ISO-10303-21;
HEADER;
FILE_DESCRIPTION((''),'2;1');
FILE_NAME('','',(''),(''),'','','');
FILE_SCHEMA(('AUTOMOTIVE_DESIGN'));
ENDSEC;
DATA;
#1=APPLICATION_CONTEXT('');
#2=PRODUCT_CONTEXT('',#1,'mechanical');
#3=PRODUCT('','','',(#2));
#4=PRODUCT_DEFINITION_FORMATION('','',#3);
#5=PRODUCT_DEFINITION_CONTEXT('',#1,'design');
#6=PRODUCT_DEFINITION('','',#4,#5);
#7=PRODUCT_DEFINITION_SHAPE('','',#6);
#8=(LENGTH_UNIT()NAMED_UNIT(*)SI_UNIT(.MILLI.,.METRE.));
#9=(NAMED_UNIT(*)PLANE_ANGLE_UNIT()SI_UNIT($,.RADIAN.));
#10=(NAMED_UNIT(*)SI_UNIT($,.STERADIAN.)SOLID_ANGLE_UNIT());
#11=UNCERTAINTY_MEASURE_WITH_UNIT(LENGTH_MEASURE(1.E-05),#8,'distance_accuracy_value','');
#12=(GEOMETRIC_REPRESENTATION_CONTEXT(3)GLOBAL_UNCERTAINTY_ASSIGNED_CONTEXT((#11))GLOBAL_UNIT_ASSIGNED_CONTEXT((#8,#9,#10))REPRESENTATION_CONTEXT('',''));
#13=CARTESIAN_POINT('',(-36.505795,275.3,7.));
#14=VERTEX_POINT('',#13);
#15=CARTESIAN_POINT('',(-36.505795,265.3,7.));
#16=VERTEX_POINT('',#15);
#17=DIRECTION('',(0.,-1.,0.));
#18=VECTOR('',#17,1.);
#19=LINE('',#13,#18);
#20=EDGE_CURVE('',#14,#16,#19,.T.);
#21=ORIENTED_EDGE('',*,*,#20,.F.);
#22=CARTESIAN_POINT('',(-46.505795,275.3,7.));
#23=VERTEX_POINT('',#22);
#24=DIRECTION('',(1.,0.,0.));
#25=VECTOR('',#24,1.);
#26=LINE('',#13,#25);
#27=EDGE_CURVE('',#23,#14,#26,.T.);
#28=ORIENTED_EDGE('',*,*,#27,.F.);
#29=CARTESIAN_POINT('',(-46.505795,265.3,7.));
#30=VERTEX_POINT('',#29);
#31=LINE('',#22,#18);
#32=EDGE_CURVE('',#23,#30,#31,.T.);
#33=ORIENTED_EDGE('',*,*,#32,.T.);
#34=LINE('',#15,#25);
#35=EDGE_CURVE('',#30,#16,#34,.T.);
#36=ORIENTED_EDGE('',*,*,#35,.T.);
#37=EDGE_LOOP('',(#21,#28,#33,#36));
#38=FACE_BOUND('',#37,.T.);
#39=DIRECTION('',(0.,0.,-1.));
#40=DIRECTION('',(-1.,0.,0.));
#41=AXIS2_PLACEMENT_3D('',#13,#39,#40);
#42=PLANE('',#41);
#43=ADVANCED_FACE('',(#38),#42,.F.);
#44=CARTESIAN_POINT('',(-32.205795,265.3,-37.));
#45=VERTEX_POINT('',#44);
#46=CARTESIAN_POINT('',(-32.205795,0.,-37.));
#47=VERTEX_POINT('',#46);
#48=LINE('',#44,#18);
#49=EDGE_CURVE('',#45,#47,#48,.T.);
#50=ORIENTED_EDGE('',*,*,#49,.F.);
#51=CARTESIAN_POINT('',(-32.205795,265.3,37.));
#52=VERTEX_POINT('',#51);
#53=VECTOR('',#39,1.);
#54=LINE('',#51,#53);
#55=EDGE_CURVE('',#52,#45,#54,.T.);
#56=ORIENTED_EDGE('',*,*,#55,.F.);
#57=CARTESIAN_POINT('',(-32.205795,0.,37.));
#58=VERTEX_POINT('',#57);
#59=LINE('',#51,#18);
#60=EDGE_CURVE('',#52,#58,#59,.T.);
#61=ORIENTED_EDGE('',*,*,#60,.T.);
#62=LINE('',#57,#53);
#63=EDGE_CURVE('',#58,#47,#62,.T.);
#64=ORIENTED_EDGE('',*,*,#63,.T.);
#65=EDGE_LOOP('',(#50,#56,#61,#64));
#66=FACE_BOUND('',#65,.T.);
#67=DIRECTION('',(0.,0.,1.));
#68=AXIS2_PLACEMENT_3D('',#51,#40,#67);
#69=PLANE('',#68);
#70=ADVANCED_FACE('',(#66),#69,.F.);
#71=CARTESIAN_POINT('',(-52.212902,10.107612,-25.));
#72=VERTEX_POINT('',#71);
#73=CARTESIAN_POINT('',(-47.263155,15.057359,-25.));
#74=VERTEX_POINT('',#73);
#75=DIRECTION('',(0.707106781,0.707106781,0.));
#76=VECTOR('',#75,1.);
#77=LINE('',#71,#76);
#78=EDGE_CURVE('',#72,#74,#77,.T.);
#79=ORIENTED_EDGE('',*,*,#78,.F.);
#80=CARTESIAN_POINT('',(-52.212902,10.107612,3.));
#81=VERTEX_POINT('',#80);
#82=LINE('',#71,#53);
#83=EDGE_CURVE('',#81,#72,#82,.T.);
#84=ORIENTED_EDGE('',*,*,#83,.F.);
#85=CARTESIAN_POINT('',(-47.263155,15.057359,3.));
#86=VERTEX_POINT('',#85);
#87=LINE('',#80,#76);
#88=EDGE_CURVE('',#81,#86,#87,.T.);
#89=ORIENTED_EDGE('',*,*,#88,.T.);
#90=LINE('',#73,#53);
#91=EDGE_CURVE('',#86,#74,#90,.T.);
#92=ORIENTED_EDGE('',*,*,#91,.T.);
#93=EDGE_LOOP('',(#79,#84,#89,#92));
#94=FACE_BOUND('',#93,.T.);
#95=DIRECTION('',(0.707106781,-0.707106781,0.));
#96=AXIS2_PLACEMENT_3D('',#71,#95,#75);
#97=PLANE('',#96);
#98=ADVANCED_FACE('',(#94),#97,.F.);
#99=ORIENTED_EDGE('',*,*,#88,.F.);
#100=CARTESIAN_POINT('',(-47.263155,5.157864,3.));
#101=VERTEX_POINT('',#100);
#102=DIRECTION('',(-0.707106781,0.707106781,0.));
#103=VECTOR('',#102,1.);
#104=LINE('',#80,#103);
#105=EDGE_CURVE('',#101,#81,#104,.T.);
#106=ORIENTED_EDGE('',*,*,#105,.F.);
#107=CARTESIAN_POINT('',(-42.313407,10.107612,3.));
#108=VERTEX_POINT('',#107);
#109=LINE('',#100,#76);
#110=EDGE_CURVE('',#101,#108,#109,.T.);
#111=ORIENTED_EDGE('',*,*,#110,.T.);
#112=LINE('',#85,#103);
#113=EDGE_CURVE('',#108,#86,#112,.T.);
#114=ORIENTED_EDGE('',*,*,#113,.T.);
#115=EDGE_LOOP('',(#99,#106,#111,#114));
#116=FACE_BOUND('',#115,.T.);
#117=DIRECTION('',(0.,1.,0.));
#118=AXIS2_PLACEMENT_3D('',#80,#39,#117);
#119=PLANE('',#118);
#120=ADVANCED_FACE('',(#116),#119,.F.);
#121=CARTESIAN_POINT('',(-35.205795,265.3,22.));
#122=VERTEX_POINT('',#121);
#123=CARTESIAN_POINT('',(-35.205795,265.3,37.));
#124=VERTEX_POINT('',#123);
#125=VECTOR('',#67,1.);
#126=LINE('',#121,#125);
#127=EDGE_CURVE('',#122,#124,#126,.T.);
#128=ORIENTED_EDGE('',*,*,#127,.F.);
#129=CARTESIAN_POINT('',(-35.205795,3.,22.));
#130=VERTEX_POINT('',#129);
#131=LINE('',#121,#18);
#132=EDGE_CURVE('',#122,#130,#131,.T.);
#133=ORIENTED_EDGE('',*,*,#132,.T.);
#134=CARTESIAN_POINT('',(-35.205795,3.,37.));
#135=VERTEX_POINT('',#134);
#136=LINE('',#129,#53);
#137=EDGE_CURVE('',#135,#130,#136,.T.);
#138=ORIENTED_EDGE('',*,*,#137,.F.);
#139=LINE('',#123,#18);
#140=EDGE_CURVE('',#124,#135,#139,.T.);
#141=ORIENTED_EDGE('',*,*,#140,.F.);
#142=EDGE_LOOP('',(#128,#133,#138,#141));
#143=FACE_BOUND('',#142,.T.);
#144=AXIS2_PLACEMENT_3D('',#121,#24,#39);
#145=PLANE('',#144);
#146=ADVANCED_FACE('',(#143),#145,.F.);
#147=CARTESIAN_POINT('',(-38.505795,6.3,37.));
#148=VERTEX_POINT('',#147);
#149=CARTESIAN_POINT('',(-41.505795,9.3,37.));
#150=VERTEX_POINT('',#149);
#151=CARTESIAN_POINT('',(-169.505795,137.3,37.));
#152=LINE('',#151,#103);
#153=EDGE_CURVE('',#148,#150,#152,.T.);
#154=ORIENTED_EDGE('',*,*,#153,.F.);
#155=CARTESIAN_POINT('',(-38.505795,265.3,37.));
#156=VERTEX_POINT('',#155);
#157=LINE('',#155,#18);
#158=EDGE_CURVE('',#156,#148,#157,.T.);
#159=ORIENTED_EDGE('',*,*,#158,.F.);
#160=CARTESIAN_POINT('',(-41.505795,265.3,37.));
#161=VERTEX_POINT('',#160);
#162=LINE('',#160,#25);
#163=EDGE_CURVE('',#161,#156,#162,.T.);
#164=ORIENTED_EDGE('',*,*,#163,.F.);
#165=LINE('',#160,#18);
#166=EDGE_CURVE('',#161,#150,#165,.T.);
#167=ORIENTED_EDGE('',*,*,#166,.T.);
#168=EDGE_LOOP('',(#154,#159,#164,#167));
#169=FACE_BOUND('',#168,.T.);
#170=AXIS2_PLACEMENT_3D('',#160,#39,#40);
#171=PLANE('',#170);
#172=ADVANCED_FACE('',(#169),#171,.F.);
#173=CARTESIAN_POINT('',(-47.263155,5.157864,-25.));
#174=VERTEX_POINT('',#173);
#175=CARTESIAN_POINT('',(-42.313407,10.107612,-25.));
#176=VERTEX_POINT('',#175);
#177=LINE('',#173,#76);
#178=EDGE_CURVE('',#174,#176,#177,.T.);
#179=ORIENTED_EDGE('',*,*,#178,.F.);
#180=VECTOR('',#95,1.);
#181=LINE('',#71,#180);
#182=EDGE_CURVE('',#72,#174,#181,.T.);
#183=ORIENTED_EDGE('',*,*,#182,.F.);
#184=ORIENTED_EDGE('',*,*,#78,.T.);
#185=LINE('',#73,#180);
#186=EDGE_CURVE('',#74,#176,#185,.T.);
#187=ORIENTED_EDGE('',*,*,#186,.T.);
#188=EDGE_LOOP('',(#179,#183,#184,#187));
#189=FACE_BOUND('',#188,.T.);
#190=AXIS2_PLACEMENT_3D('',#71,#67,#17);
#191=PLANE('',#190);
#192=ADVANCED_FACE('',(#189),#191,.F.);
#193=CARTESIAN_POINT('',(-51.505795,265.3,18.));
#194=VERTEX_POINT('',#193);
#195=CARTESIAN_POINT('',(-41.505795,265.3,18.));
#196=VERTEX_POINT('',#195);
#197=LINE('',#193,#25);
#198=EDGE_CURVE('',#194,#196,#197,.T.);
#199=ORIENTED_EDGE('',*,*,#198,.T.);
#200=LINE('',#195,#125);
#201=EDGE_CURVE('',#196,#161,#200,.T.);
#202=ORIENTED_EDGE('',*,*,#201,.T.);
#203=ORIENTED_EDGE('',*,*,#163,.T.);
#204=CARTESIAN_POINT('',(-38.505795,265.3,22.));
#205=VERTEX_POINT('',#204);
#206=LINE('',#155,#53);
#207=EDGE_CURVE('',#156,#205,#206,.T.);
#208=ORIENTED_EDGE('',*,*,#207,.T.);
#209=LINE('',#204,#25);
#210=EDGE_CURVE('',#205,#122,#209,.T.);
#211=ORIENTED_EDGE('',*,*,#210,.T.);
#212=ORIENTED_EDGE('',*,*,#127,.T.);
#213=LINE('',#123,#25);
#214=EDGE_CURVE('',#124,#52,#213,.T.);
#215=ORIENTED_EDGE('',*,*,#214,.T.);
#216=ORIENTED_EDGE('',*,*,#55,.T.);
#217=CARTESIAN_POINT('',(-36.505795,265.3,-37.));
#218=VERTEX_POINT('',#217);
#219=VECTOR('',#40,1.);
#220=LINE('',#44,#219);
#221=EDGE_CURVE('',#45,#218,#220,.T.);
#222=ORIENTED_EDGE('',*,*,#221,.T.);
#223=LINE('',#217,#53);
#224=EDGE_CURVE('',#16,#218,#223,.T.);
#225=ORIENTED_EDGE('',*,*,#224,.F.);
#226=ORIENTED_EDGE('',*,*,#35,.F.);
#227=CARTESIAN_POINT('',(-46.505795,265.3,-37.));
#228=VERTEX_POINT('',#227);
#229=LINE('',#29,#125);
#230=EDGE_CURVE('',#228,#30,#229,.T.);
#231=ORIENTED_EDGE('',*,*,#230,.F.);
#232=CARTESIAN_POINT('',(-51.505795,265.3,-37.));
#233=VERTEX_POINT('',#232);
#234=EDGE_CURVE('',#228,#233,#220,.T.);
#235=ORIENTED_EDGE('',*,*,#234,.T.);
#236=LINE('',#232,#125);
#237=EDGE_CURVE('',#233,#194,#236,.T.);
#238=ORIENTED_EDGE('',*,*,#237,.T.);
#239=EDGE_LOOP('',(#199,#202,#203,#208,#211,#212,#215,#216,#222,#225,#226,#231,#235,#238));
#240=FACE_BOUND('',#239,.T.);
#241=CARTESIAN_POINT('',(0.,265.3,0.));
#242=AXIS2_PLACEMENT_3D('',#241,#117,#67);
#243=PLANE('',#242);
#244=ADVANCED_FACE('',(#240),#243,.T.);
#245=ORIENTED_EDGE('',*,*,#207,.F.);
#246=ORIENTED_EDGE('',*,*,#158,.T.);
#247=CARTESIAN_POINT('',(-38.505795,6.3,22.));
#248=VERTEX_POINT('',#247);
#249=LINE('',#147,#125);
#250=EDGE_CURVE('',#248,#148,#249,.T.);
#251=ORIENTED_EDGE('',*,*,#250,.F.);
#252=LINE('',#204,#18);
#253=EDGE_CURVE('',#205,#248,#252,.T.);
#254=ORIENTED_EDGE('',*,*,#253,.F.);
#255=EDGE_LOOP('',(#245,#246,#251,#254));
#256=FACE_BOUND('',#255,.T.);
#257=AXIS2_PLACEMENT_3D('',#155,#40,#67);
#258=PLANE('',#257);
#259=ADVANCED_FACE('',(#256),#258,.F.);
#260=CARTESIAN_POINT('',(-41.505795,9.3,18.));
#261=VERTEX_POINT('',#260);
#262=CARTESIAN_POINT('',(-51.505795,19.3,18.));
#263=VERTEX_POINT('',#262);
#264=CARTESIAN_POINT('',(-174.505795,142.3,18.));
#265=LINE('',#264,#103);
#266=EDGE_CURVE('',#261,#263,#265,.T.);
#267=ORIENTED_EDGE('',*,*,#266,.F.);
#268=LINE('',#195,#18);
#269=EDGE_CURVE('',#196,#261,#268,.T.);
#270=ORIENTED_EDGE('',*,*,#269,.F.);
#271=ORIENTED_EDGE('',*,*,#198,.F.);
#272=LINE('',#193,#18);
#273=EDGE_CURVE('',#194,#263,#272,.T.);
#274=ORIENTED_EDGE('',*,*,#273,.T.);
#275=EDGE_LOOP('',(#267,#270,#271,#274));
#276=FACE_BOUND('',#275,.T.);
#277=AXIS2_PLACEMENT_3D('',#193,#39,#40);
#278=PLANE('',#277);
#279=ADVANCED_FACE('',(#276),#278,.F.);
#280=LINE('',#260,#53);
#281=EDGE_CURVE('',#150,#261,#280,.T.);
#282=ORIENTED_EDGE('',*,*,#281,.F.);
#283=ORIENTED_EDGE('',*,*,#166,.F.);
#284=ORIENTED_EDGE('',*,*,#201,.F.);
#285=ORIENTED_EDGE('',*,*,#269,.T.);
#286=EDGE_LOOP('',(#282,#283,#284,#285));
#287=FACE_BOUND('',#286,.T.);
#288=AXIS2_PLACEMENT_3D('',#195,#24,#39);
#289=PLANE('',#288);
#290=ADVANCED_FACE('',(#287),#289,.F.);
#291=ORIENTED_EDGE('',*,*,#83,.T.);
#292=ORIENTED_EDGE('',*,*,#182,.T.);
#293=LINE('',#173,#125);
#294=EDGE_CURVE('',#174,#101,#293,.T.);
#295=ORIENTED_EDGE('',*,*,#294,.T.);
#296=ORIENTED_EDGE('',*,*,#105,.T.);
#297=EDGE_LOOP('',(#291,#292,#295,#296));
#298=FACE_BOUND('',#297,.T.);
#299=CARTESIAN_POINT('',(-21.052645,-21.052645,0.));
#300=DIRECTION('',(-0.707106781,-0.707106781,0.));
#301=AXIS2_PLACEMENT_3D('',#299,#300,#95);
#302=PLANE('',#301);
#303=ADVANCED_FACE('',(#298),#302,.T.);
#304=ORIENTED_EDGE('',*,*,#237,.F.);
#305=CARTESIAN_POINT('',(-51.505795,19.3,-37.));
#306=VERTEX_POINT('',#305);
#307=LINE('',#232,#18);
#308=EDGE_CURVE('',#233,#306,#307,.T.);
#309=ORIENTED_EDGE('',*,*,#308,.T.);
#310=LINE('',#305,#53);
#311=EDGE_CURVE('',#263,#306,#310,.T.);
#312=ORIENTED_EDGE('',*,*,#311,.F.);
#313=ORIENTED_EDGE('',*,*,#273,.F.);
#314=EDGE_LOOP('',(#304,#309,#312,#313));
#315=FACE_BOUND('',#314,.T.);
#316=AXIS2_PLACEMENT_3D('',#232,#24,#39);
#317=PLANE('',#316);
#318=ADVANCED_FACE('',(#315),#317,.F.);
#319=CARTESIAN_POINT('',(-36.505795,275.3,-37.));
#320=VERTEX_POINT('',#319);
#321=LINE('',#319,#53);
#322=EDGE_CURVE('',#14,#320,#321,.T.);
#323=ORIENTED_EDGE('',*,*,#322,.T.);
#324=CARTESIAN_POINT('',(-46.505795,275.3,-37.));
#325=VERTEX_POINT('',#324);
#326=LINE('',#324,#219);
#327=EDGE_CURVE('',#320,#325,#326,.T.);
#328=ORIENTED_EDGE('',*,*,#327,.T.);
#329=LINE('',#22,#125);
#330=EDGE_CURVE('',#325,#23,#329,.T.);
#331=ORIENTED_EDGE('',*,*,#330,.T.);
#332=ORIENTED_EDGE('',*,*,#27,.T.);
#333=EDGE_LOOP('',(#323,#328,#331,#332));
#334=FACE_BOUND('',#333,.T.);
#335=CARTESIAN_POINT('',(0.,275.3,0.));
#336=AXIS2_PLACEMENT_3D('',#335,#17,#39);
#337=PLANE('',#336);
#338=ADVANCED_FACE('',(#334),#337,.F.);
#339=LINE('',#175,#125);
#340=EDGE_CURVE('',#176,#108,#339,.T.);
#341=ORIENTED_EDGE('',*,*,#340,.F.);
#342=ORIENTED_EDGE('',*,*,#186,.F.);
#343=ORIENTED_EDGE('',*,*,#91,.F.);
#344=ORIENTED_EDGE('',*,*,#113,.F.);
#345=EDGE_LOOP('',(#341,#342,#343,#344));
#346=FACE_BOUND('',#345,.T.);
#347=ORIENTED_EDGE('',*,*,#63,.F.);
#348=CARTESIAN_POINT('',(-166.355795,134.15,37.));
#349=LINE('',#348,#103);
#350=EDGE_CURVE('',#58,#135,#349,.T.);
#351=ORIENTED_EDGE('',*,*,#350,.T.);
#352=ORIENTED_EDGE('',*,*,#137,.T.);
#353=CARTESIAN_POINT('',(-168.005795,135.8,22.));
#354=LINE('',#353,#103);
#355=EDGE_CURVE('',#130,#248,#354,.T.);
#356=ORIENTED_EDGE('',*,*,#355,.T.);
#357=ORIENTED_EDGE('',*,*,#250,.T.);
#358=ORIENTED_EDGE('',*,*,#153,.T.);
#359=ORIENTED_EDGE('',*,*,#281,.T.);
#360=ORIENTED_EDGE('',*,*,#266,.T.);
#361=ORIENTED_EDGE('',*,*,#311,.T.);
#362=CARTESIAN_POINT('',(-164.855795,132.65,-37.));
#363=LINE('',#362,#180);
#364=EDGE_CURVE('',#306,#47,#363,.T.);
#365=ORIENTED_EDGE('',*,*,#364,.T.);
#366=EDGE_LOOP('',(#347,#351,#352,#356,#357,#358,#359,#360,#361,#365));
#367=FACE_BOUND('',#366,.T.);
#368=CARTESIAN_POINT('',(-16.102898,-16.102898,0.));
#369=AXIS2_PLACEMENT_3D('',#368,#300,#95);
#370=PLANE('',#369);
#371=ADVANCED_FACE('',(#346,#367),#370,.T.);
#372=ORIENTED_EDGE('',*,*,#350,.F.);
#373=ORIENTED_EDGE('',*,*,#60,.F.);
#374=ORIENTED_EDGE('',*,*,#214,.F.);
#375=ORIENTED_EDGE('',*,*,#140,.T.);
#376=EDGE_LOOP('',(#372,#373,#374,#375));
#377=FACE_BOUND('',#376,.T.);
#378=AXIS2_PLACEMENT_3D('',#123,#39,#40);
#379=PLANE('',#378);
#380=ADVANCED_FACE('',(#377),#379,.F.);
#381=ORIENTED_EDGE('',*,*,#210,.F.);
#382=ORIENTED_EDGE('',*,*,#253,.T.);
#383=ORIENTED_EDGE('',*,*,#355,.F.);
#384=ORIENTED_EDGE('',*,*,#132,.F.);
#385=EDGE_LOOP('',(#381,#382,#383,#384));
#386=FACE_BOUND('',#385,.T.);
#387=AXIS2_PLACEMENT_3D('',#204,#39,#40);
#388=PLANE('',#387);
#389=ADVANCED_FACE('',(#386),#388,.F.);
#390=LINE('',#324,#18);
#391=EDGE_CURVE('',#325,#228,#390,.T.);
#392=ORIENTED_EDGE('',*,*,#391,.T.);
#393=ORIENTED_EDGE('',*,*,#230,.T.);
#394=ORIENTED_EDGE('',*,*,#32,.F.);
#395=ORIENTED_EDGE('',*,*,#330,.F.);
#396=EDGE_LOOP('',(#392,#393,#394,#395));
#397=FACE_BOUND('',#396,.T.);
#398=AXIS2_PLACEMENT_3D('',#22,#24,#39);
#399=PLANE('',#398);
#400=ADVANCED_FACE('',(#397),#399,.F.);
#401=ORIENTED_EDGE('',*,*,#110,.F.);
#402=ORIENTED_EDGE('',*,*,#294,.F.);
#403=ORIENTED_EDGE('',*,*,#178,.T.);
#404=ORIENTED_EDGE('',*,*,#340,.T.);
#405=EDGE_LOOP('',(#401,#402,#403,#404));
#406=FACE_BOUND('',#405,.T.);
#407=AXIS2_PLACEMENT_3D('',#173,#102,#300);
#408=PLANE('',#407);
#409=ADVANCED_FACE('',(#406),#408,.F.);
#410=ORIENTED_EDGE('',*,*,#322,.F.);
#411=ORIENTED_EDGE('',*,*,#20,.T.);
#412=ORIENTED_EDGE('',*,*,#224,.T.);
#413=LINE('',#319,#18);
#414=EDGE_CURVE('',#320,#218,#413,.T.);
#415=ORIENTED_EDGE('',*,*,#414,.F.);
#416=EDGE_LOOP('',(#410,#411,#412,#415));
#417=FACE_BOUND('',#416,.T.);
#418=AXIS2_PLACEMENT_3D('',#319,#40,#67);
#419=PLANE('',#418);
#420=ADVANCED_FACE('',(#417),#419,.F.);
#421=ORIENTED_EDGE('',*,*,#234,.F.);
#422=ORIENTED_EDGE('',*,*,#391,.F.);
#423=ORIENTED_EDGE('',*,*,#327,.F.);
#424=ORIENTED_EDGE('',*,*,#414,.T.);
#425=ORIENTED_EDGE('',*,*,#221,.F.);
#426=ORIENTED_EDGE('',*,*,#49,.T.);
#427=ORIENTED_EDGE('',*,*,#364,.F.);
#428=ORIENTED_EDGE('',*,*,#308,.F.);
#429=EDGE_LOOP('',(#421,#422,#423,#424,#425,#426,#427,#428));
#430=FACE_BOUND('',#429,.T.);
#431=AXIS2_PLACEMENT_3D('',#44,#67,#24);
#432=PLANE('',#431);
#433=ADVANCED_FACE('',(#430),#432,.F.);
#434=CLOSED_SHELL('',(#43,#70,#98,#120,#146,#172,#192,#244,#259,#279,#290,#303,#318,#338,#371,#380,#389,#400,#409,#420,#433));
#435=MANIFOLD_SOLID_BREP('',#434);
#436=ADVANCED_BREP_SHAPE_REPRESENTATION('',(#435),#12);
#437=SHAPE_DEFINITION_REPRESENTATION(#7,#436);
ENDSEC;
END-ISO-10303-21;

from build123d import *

# Parameters (mm, degrees)
BOSS_EXTRUDE1_DEPTH = 265.3
SKETCH2_W           = 10
SKETCH2_H           = 44
BOSS_EXTRUDE2_DEPTH = 10
SKETCH3_W           = 381.110289958
SKETCH3_H           = 88.245673433
CUT_EXTRUDE1_DEPTH  = 27
SKETCH4_W           = 28
SKETCH4_H           = 7
BOSS_EXTRUDE3_DEPTH = 7


with BuildPart() as part:
    # Sketch1 → Boss-Extrude1 (new body)
    with BuildSketch(Plane(origin=(0, 0, 0), x_dir=(1, 0, 0), z_dir=(0, 1, 0))):
        Polygon((-51.505795374, 37), (-51.505795374, -18), (-41.505795374, -18), (-41.505795374, -37), (-38.505795374, -37), (-38.505795374, -22), (-35.205795374, -22), (-35.205795374, -37), (-32.205795374, -37), (-32.205795374, 37), align=None)
    extrude(amount=BOSS_EXTRUDE1_DEPTH)

    # Sketch2 → Boss-Extrude2 (add)
    with BuildSketch(Plane(origin=(0, 265.3, 0), x_dir=(1, 0, 0), z_dir=(0, 1, 0))):
        with Locations((-41.505795374, 15)):
            Rectangle(SKETCH2_W, SKETCH2_H)
    extrude(amount=BOSS_EXTRUDE2_DEPTH)

    # Sketch3 → Cut-Extrude1 (cut)
    with BuildSketch(Plane(origin=(-16.102897687, -16.102897687, 0), x_dir=(0, 0, -1), z_dir=(-0.7071067811865488, -0.7071067811865464, 0))):
        with Locations((41.438548882, -32.158306753)):
            Rectangle(SKETCH3_W, SKETCH3_H)
    extrude(amount=CUT_EXTRUDE1_DEPTH, mode=Mode.SUBTRACT)

    # Sketch4 → Boss-Extrude3 (add)
    with BuildSketch(Plane(origin=(-16.102897687, -16.102897687, 0), x_dir=(0, 0, 1), z_dir=(-0.7071067811865487, -0.7071067811865465, 0))):
        with Locations((-11, 40.567258056)):
            Rectangle(SKETCH4_W, SKETCH4_H)
    extrude(amount=BOSS_EXTRUDE3_DEPTH)


solid = part.part
